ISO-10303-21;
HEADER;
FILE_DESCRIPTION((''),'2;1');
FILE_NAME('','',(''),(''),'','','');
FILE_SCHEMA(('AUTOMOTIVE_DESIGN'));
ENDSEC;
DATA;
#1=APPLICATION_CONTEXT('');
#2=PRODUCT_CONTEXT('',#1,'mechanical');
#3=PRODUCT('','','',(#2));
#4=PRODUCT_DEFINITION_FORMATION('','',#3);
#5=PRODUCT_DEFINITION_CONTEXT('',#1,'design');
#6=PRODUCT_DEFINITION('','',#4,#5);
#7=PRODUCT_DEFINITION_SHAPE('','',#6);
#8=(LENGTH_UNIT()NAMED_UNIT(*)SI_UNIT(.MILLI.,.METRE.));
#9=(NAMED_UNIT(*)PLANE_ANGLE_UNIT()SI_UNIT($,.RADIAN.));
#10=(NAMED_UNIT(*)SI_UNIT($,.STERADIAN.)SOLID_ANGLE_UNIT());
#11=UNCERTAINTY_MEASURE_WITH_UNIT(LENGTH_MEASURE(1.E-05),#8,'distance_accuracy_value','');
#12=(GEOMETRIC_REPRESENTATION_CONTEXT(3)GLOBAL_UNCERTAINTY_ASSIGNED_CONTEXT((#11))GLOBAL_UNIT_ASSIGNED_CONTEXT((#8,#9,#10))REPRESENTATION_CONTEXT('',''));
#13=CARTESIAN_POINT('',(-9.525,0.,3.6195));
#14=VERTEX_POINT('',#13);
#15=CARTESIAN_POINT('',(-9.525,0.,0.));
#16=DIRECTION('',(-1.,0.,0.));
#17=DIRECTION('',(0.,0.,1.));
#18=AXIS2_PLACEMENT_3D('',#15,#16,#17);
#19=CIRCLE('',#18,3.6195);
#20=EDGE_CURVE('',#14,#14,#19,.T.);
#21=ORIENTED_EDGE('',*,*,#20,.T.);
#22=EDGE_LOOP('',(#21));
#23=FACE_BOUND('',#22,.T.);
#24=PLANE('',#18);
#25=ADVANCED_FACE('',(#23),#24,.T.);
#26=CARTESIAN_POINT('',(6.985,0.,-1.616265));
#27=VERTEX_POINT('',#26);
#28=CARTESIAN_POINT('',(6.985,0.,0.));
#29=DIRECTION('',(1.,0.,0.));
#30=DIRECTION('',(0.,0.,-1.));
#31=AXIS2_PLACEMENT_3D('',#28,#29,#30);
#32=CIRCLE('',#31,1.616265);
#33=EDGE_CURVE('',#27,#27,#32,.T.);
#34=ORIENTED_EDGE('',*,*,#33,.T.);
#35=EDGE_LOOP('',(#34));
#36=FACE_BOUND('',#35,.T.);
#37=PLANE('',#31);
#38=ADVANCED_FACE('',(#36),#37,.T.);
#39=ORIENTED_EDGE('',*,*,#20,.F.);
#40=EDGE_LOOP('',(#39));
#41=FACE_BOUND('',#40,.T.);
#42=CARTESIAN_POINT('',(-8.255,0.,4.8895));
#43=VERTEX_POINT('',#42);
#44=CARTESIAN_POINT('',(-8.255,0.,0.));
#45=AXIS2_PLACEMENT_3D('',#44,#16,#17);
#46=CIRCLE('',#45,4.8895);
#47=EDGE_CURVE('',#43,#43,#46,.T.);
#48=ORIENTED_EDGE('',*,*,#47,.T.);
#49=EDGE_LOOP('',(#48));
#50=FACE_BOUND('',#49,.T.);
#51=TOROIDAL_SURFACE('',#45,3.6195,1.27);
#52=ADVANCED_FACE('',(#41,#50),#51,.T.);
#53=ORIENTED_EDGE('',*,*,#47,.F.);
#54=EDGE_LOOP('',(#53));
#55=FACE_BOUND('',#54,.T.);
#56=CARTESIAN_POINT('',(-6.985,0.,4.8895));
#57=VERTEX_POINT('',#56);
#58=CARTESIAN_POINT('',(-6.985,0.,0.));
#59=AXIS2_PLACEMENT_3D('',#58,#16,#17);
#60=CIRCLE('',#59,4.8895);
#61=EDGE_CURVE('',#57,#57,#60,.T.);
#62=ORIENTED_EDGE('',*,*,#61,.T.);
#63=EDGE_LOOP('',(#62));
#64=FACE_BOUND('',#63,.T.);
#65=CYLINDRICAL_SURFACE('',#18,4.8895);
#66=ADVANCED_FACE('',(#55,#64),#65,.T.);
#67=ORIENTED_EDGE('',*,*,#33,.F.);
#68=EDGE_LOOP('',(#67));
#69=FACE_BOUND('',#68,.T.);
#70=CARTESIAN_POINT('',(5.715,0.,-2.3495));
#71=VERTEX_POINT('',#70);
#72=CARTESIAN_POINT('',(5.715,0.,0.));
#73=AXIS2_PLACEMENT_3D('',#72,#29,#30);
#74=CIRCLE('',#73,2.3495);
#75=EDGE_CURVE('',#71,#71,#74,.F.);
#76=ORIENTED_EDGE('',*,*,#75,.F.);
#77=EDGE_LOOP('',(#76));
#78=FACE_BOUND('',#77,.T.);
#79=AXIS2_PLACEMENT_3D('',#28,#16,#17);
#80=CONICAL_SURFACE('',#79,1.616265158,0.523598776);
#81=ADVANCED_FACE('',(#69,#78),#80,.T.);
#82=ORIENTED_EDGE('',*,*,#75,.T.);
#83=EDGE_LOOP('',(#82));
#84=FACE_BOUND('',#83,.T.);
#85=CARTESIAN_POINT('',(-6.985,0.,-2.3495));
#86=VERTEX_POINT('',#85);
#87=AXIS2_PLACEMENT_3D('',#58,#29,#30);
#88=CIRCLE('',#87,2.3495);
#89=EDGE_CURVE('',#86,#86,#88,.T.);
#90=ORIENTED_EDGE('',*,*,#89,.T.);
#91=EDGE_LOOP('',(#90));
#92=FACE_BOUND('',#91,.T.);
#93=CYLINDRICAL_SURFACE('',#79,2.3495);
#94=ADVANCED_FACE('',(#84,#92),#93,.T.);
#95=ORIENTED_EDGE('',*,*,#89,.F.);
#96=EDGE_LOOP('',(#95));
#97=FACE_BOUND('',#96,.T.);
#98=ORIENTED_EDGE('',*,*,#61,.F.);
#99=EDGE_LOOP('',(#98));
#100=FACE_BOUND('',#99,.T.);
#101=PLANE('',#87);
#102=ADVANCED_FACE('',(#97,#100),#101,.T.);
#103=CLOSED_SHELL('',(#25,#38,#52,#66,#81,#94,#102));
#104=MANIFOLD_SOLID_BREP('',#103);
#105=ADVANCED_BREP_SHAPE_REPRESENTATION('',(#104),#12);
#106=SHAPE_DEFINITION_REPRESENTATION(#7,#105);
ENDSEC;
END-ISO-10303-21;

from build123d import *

# Parameters (mm, degrees)
SKETCH1_R           = 2.3495
BOSS_EXTRUDE1_DEPTH = 6.985
CHAMFER1_SIZE       = 1.27
CHAMFER1_SIZE2      = 0.733234842


with BuildPart() as part:
    # Sketch1 → Boss-Extrude1 (new body, symmetric)
    with BuildSketch(Plane(origin=(0, 0, 0), x_dir=(0, 0, -1), z_dir=(1, 0, 0))):
        Circle(SKETCH1_R)
    extrude(amount=BOSS_EXTRUDE1_DEPTH, both=True)

    # Sketch2 → Revolve1 (revolve)
    with BuildSketch(Plane(origin=(0, 0, 0), x_dir=(1, 0, 0), z_dir=(0, 1, 0))):
        with BuildLine():
            Line((-9.525, 0), (-6.985, 0))
            Line((-6.985, 0), (-6.985, -4.8895))
            Line((-6.985, -4.8895), (-8.255, -4.8895))
            ThreePointArc((-8.255, -4.8895), (-9.153025612, -4.517525612), (-9.525, -3.6195))
            Line((-9.525, -3.6195), (-9.525, 0))
        make_face()
    revolve(axis=Axis((-9.525, 0, 0), (1, 0, 0)))

    # Chamfer1
    chamfer1_edges = [part.edges().sort_by_distance(p)[0] for p in [
        (6.985, 0, 2.3495),
    ]]
    chamfer1_side = [part.faces().sort_by_distance(p)[0] for p in [
        (0, 0, 2.3495),
    ]]
    chamfer(chamfer1_edges, length=CHAMFER1_SIZE, length2=CHAMFER1_SIZE2, reference=chamfer1_side[0])


solid = part.part
